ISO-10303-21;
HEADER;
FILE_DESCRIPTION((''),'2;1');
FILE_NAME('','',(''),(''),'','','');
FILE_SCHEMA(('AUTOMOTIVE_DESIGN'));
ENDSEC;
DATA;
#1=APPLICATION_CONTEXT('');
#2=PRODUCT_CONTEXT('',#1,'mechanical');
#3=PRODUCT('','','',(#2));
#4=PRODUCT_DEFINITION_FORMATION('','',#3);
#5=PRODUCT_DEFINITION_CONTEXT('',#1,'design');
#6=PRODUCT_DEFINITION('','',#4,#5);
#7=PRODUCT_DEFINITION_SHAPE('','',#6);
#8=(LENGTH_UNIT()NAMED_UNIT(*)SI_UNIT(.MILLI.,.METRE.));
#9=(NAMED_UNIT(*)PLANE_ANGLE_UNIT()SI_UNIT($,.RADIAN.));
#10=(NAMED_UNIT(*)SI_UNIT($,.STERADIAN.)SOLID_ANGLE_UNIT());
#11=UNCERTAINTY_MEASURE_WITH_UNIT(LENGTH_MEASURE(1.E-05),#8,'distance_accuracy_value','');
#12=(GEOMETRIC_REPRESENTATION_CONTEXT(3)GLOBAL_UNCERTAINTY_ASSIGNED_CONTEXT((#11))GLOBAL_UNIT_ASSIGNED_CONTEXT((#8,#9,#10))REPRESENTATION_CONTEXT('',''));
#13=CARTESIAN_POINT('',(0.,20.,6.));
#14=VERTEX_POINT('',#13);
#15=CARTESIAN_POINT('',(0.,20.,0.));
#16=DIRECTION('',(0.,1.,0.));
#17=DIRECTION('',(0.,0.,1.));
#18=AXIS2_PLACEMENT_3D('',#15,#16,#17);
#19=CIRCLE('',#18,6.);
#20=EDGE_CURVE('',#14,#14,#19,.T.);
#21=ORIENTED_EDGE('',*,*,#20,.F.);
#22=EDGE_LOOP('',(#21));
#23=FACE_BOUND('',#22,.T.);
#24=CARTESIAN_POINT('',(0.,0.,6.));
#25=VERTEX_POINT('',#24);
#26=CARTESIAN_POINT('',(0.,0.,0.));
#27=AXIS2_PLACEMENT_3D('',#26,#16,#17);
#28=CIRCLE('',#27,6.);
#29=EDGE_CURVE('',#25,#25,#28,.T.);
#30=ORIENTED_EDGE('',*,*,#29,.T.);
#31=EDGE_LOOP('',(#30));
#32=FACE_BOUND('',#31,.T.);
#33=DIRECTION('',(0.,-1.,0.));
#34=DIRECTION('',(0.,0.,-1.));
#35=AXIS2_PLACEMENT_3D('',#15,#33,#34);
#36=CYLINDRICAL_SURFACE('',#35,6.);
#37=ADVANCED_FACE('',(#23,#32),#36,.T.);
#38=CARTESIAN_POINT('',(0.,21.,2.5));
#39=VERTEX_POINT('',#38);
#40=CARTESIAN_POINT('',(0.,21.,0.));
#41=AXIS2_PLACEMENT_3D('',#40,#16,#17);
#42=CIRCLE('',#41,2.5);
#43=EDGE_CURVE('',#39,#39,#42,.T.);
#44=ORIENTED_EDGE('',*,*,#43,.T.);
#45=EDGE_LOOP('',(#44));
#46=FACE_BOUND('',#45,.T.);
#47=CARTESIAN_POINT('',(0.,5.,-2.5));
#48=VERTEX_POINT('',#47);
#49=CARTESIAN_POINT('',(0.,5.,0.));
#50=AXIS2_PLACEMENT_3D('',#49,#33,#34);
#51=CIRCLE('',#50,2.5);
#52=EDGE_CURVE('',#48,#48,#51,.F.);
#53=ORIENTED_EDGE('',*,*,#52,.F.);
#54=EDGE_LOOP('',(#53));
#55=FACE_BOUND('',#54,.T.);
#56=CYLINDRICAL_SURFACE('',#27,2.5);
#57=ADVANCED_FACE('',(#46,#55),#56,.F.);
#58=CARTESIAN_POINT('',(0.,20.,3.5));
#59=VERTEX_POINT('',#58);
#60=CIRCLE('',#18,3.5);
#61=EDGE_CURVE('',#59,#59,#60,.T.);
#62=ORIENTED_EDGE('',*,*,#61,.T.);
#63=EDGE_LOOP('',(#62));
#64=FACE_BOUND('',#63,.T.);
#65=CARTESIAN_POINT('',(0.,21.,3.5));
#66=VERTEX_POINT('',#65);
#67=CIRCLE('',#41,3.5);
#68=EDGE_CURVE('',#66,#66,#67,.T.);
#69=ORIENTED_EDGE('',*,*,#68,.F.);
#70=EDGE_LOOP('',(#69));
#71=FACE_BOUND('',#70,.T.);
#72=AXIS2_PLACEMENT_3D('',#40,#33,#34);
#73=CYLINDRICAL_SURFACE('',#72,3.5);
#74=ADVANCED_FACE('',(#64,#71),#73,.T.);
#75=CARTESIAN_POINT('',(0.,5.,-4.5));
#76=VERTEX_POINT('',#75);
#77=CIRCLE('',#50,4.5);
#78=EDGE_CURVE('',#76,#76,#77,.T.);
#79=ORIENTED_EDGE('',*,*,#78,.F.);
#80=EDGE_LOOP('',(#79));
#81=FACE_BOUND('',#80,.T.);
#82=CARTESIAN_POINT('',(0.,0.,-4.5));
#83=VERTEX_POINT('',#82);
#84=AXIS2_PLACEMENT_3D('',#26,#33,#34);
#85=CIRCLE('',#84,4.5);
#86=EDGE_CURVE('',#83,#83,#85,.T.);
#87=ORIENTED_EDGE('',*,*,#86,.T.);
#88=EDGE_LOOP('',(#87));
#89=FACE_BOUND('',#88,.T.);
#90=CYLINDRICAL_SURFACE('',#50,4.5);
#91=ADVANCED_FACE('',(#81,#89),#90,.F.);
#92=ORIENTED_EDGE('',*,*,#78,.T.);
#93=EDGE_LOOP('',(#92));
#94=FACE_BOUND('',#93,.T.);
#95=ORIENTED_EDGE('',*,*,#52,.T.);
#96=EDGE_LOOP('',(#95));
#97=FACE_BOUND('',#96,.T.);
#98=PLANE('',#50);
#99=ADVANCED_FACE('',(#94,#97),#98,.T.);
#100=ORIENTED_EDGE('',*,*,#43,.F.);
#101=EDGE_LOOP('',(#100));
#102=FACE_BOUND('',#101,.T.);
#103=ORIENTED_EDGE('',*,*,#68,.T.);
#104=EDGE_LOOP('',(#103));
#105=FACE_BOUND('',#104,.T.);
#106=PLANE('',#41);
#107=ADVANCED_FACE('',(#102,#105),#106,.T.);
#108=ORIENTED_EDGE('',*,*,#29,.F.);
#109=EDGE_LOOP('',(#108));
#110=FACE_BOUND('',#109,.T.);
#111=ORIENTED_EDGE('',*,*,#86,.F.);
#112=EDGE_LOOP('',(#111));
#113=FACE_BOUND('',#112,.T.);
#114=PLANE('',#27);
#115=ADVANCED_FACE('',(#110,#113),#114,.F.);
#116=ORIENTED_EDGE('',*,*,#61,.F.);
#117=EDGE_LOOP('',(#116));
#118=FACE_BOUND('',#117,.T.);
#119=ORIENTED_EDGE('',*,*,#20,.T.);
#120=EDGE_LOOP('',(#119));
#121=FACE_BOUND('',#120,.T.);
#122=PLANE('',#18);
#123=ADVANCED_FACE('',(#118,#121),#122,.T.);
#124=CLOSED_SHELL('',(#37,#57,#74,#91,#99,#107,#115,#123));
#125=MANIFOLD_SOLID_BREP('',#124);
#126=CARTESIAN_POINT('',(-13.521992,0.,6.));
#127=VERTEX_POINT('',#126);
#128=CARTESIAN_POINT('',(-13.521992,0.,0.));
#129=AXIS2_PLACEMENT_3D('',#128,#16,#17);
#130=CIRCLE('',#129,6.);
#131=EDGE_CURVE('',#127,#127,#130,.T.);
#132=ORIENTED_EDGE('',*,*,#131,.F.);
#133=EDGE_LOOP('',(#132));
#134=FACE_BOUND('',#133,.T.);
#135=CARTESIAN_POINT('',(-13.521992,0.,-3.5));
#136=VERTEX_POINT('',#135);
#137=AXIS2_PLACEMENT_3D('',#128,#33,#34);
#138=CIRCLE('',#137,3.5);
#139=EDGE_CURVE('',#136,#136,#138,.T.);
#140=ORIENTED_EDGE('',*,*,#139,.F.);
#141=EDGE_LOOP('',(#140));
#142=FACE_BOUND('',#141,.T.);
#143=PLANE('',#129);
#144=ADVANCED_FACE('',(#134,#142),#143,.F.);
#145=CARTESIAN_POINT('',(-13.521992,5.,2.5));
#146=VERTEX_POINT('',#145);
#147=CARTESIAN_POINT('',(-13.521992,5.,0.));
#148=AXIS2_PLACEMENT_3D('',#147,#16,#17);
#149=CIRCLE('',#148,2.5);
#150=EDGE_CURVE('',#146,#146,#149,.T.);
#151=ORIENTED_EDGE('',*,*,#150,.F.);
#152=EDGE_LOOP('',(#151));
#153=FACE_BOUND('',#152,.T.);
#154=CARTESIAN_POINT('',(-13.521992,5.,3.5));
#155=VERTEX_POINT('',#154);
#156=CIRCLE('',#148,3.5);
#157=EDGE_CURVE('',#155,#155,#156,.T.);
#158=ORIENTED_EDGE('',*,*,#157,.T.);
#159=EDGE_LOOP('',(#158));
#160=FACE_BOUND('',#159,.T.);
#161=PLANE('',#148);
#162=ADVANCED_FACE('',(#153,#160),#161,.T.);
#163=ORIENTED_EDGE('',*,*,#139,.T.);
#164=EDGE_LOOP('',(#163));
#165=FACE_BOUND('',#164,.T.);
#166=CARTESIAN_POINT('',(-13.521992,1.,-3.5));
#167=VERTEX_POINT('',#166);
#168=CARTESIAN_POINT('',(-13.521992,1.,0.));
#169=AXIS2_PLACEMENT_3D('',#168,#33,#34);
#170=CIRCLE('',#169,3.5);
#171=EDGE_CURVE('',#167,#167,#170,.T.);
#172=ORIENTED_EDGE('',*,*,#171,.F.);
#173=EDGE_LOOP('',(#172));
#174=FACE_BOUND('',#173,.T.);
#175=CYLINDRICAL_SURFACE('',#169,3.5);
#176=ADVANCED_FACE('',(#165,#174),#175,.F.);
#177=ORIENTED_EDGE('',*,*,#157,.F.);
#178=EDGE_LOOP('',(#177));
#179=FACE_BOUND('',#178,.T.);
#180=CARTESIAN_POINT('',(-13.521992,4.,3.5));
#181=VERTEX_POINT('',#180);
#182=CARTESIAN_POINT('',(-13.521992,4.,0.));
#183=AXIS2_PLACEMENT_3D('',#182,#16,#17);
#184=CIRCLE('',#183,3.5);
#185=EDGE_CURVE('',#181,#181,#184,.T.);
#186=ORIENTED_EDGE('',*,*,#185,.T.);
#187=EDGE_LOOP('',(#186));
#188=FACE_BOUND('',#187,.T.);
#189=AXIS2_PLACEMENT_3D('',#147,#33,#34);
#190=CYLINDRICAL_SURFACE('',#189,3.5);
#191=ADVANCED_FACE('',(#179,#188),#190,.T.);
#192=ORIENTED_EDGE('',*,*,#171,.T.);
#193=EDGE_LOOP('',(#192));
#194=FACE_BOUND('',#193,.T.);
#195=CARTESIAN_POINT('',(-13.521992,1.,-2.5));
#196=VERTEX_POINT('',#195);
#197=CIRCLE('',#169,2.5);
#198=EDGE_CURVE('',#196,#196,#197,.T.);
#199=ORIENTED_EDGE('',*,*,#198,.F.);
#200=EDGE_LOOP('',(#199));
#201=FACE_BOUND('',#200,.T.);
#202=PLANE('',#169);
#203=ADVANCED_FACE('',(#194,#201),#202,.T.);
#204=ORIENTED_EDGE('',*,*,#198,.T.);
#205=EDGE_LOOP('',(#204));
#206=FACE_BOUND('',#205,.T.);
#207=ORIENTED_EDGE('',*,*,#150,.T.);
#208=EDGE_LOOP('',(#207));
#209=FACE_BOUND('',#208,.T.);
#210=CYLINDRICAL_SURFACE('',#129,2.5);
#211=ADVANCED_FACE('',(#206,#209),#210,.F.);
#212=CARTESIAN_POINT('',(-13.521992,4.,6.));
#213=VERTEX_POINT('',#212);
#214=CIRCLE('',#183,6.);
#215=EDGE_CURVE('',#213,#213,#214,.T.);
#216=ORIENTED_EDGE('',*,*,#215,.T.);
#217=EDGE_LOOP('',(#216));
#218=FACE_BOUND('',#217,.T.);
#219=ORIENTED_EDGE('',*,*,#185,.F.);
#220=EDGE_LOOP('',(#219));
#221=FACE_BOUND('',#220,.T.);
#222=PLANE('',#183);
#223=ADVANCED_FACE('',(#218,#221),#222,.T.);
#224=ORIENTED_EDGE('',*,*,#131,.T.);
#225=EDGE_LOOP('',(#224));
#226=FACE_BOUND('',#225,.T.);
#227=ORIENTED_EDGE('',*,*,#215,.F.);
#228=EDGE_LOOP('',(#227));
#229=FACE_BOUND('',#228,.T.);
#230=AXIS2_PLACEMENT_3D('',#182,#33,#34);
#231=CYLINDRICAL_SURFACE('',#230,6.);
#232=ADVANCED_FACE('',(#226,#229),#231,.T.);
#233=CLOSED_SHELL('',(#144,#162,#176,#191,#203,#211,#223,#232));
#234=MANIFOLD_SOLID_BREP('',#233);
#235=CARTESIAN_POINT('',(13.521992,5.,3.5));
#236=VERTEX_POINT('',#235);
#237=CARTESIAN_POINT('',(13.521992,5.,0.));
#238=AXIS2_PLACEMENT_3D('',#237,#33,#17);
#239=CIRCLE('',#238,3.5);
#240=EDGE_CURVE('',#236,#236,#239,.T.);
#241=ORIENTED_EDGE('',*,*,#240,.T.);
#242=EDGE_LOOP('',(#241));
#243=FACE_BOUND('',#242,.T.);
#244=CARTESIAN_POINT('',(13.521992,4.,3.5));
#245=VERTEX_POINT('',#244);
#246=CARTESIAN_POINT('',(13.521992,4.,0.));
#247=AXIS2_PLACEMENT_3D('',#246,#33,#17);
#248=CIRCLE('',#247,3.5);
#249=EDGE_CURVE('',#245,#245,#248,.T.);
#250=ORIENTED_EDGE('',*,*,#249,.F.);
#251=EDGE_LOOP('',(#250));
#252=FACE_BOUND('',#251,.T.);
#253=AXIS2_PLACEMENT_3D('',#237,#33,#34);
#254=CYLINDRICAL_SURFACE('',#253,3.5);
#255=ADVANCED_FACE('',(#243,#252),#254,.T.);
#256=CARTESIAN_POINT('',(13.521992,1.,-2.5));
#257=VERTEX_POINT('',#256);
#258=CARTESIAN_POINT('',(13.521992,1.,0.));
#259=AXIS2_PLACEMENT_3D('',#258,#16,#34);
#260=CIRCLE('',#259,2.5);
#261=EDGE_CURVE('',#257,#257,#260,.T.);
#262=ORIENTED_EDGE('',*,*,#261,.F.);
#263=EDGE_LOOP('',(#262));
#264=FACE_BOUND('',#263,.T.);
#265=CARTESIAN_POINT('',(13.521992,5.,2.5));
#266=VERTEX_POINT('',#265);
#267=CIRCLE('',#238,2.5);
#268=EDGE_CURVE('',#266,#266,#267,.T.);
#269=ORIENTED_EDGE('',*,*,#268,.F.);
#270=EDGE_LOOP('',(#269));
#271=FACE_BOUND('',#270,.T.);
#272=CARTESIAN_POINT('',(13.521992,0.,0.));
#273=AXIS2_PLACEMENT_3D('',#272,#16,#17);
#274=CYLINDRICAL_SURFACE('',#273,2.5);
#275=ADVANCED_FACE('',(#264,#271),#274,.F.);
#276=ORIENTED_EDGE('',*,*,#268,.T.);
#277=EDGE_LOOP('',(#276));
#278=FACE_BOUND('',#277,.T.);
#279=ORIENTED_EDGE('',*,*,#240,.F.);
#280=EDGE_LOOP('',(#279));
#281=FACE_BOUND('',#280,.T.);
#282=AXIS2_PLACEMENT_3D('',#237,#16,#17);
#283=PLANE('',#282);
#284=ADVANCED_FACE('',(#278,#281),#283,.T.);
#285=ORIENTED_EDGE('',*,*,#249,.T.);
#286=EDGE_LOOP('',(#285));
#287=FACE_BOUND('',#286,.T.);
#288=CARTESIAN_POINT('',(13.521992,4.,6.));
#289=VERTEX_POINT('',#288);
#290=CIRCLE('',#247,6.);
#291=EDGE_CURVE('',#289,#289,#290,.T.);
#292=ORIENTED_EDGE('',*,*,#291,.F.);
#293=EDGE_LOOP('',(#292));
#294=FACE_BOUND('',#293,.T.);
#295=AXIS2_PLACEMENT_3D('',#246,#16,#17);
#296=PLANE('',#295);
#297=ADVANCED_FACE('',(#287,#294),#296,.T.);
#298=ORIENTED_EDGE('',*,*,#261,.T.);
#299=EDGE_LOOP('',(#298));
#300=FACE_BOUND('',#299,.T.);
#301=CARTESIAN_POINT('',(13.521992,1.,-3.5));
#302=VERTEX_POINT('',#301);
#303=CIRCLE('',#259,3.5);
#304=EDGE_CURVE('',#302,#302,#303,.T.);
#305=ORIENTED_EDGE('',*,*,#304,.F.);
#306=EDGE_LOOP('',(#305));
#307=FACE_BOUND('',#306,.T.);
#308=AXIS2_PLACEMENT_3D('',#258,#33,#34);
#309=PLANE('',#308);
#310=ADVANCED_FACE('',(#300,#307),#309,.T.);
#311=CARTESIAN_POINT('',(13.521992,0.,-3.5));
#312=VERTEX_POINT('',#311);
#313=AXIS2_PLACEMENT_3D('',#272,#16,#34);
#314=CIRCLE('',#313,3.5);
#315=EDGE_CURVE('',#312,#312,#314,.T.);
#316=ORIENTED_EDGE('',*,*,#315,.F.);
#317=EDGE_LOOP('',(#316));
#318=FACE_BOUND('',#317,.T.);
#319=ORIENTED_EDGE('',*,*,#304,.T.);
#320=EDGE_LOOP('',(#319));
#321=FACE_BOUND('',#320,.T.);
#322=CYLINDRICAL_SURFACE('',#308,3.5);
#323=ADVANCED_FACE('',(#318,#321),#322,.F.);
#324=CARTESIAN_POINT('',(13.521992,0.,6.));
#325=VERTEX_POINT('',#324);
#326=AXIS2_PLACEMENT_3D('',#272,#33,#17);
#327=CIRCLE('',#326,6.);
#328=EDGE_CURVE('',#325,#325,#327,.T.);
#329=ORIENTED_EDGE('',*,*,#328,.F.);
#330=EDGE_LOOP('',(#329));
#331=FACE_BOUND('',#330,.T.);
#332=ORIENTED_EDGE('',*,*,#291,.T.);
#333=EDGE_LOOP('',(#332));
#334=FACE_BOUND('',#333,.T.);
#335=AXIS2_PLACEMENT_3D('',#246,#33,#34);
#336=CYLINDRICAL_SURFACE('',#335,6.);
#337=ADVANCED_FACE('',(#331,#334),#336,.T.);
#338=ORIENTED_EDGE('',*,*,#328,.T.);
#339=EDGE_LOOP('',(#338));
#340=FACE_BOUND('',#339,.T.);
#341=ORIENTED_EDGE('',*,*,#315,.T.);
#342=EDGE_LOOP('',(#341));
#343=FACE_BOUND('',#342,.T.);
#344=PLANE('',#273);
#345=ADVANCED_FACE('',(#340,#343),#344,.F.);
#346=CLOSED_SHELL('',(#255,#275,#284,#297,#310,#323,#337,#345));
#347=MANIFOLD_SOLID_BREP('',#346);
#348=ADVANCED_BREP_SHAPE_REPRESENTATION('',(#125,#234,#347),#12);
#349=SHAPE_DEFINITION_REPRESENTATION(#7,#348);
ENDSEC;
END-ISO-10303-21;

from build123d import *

# Parameters (mm, degrees)
CROQUIS1_R              = 6
SALIENTE_EXTRUIR1_DEPTH = 20
CROQUIS2_R              = 2.5
CORTAR_EXTRUIR1_DEPTH   = 20
SALIENTE_EXTRUIR2_START = 1
CROQUIS3_R              = 3.5
CROQUIS3_R_2            = 2.5
SALIENTE_EXTRUIR2_DEPTH = 1
CROQUIS4_R              = 4.5
CORTAR_EXTRUIR2_DEPTH   = 5
CROQUIS5_R              = 6
SALIENTE_EXTRUIR3_DEPTH = 4
CROQUIS6_R              = 2.5
CORTAR_EXTRUIR3_DEPTH   = 4
CROQUIS7_R              = 3.5
CROQUIS7_R_2            = 2.5
SALIENTE_EXTRUIR4_DEPTH = 1
CROQUIS8_R              = 3.5
CROQUIS8_R_2            = 2.5
CORTAR_EXTRUIR4_DEPTH   = 1


with BuildPart() as part:
    # Croquis1 → Saliente-Extruir1 (new body)
    with BuildSketch(Plane(origin=(0, 0, 0), x_dir=(1, 0, 0), z_dir=(0, 1, 0))):
        with Locations(Location((0, 0, 0), (0, 0, 270))):
            Circle(CROQUIS1_R)
    extrude(amount=SALIENTE_EXTRUIR1_DEPTH)

    # Croquis2 → Cortar-Extruir1 (cut)
    with BuildSketch(Plane(origin=(0, 20, 0), x_dir=(1, 0, 0), z_dir=(0, 1, 0))):
        with Locations(Location((0, 0, 0), (0, 0, 270))):
            Circle(CROQUIS2_R)
    extrude(amount=-CORTAR_EXTRUIR1_DEPTH, mode=Mode.SUBTRACT)

    # Croquis3 → Saliente-Extruir2 (add)
    with BuildSketch(Plane(origin=(0, 20, 0), x_dir=(1, 0, 0), z_dir=(0, 1, 0)).offset(SALIENTE_EXTRUIR2_START)):
        with Locations(Location((0, 0, 0), (0, 0, 270))):
            Circle(CROQUIS3_R)
        with Locations(Location((0, 0, 0), (0, 0, 270))):
            Circle(CROQUIS3_R_2, mode=Mode.SUBTRACT)
    extrude(amount=-SALIENTE_EXTRUIR2_DEPTH)

    # Croquis4 → Cortar-Extruir2 (cut)
    with BuildSketch(Plane.XZ):
        with Locations(Location((0, 0, 0), (0, 0, 270))):
            Circle(CROQUIS4_R)
    extrude(amount=-CORTAR_EXTRUIR2_DEPTH, mode=Mode.SUBTRACT)


with BuildPart() as body_2:
    # Croquis5 → Saliente-Extruir3 (new body)
    with BuildSketch(Plane(origin=(0, 0, 0), x_dir=(1, 0, 0), z_dir=(0, 1, 0))):
        with Locations(Location((-13.521991575, 0, 0), (0, 0, 270))):
            Circle(CROQUIS5_R)
    extrude(amount=SALIENTE_EXTRUIR3_DEPTH)

    # Croquis6 → Cortar-Extruir3 (cut)
    with BuildSketch(Plane(origin=(0, 4, 0), x_dir=(1, 0, 0), z_dir=(0, 1, 0))):
        with Locations(Location((-13.521991575, 0, 0), (0, 0, 270))):
            Circle(CROQUIS6_R)
    extrude(amount=-CORTAR_EXTRUIR3_DEPTH, mode=Mode.SUBTRACT)

    # Croquis7 → Saliente-Extruir4 (add)
    with BuildSketch(Plane(origin=(0, 4, 0), x_dir=(1, 0, 0), z_dir=(0, 1, 0))):
        with Locations(Location((-13.521991575, 0, 0), (0, 0, 270))):
            Circle(CROQUIS7_R)
        with Locations(Location((-13.521991575, 0, 0), (0, 0, 270))):
            Circle(CROQUIS7_R_2, mode=Mode.SUBTRACT)
    extrude(amount=SALIENTE_EXTRUIR4_DEPTH)

    # Croquis8 → Cortar-Extruir4 (cut)
    with BuildSketch(Plane.XZ):
        with Locations(Location((-13.521991575, 0, 0), (0, 0, 90))):
            Circle(CROQUIS8_R)
        with Locations(Location((-13.521991575, 0, 0), (0, 0, 90))):
            Circle(CROQUIS8_R_2, mode=Mode.SUBTRACT)
    extrude(amount=-CORTAR_EXTRUIR4_DEPTH, mode=Mode.SUBTRACT)


with BuildPart() as body_3:
    # Simetría2: mirrored copy
    add(body_2.part.mirror(Plane(origin=(0, 0, 0), x_dir=(0, 0, 1), z_dir=(1, 0, 0))))


solid = Compound([part.part, body_2.part, body_3.part])
